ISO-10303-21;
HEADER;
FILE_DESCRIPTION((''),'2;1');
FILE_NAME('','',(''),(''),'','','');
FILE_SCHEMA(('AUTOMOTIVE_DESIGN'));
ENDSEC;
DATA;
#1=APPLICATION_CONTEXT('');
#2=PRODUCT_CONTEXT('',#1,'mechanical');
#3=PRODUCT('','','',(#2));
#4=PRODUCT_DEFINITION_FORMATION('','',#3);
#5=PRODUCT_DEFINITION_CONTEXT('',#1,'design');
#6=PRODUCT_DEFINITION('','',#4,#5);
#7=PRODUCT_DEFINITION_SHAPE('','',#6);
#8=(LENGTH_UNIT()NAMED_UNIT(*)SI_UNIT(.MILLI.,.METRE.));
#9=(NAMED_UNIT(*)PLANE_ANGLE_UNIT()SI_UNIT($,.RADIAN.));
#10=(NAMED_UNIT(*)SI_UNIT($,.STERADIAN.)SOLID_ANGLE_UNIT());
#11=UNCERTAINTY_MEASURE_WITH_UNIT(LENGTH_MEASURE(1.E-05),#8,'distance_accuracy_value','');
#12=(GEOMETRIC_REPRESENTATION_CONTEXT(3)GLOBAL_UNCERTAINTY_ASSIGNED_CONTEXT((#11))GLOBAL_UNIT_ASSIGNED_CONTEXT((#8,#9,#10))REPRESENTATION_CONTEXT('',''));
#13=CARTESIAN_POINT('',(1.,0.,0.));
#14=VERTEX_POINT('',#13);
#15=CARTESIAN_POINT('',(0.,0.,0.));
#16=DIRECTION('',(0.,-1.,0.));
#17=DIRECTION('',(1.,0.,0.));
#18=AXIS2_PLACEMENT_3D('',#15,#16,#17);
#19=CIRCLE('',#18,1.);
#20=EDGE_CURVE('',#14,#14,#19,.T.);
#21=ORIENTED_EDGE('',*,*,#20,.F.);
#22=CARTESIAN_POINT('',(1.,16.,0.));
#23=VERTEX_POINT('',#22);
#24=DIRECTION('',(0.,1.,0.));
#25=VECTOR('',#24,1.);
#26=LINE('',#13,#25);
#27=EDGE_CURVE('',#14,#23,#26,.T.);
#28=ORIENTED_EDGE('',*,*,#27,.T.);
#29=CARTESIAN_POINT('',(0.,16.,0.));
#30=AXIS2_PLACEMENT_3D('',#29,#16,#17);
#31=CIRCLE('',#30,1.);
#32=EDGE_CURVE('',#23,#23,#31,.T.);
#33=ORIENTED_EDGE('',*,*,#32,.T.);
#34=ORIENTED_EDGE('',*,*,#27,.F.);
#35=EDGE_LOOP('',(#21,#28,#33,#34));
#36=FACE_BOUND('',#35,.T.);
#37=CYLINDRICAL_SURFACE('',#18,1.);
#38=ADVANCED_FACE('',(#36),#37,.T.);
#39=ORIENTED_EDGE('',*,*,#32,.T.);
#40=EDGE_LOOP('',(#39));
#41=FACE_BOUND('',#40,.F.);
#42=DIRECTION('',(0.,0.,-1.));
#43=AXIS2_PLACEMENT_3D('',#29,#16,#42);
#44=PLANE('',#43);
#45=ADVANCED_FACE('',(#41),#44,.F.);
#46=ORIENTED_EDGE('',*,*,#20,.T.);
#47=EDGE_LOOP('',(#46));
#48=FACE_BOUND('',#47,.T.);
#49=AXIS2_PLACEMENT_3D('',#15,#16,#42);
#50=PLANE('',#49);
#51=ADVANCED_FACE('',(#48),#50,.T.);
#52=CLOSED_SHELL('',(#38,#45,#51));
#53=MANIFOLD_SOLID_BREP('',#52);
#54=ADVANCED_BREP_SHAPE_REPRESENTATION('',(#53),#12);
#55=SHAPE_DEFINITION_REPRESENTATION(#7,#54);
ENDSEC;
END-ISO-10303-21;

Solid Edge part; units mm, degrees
sketch "Sketch1" plane through (0, 0, 0) normal (0, -1, 0) x (1, 0, 0)
  circle A0 centre (0, 0) radius 1
  dimension "D1" = 2
extrude "Ajout_matière_1" add sketch "Sketch1" against normal blind 16
properties part number "04" material "Acier S235"
